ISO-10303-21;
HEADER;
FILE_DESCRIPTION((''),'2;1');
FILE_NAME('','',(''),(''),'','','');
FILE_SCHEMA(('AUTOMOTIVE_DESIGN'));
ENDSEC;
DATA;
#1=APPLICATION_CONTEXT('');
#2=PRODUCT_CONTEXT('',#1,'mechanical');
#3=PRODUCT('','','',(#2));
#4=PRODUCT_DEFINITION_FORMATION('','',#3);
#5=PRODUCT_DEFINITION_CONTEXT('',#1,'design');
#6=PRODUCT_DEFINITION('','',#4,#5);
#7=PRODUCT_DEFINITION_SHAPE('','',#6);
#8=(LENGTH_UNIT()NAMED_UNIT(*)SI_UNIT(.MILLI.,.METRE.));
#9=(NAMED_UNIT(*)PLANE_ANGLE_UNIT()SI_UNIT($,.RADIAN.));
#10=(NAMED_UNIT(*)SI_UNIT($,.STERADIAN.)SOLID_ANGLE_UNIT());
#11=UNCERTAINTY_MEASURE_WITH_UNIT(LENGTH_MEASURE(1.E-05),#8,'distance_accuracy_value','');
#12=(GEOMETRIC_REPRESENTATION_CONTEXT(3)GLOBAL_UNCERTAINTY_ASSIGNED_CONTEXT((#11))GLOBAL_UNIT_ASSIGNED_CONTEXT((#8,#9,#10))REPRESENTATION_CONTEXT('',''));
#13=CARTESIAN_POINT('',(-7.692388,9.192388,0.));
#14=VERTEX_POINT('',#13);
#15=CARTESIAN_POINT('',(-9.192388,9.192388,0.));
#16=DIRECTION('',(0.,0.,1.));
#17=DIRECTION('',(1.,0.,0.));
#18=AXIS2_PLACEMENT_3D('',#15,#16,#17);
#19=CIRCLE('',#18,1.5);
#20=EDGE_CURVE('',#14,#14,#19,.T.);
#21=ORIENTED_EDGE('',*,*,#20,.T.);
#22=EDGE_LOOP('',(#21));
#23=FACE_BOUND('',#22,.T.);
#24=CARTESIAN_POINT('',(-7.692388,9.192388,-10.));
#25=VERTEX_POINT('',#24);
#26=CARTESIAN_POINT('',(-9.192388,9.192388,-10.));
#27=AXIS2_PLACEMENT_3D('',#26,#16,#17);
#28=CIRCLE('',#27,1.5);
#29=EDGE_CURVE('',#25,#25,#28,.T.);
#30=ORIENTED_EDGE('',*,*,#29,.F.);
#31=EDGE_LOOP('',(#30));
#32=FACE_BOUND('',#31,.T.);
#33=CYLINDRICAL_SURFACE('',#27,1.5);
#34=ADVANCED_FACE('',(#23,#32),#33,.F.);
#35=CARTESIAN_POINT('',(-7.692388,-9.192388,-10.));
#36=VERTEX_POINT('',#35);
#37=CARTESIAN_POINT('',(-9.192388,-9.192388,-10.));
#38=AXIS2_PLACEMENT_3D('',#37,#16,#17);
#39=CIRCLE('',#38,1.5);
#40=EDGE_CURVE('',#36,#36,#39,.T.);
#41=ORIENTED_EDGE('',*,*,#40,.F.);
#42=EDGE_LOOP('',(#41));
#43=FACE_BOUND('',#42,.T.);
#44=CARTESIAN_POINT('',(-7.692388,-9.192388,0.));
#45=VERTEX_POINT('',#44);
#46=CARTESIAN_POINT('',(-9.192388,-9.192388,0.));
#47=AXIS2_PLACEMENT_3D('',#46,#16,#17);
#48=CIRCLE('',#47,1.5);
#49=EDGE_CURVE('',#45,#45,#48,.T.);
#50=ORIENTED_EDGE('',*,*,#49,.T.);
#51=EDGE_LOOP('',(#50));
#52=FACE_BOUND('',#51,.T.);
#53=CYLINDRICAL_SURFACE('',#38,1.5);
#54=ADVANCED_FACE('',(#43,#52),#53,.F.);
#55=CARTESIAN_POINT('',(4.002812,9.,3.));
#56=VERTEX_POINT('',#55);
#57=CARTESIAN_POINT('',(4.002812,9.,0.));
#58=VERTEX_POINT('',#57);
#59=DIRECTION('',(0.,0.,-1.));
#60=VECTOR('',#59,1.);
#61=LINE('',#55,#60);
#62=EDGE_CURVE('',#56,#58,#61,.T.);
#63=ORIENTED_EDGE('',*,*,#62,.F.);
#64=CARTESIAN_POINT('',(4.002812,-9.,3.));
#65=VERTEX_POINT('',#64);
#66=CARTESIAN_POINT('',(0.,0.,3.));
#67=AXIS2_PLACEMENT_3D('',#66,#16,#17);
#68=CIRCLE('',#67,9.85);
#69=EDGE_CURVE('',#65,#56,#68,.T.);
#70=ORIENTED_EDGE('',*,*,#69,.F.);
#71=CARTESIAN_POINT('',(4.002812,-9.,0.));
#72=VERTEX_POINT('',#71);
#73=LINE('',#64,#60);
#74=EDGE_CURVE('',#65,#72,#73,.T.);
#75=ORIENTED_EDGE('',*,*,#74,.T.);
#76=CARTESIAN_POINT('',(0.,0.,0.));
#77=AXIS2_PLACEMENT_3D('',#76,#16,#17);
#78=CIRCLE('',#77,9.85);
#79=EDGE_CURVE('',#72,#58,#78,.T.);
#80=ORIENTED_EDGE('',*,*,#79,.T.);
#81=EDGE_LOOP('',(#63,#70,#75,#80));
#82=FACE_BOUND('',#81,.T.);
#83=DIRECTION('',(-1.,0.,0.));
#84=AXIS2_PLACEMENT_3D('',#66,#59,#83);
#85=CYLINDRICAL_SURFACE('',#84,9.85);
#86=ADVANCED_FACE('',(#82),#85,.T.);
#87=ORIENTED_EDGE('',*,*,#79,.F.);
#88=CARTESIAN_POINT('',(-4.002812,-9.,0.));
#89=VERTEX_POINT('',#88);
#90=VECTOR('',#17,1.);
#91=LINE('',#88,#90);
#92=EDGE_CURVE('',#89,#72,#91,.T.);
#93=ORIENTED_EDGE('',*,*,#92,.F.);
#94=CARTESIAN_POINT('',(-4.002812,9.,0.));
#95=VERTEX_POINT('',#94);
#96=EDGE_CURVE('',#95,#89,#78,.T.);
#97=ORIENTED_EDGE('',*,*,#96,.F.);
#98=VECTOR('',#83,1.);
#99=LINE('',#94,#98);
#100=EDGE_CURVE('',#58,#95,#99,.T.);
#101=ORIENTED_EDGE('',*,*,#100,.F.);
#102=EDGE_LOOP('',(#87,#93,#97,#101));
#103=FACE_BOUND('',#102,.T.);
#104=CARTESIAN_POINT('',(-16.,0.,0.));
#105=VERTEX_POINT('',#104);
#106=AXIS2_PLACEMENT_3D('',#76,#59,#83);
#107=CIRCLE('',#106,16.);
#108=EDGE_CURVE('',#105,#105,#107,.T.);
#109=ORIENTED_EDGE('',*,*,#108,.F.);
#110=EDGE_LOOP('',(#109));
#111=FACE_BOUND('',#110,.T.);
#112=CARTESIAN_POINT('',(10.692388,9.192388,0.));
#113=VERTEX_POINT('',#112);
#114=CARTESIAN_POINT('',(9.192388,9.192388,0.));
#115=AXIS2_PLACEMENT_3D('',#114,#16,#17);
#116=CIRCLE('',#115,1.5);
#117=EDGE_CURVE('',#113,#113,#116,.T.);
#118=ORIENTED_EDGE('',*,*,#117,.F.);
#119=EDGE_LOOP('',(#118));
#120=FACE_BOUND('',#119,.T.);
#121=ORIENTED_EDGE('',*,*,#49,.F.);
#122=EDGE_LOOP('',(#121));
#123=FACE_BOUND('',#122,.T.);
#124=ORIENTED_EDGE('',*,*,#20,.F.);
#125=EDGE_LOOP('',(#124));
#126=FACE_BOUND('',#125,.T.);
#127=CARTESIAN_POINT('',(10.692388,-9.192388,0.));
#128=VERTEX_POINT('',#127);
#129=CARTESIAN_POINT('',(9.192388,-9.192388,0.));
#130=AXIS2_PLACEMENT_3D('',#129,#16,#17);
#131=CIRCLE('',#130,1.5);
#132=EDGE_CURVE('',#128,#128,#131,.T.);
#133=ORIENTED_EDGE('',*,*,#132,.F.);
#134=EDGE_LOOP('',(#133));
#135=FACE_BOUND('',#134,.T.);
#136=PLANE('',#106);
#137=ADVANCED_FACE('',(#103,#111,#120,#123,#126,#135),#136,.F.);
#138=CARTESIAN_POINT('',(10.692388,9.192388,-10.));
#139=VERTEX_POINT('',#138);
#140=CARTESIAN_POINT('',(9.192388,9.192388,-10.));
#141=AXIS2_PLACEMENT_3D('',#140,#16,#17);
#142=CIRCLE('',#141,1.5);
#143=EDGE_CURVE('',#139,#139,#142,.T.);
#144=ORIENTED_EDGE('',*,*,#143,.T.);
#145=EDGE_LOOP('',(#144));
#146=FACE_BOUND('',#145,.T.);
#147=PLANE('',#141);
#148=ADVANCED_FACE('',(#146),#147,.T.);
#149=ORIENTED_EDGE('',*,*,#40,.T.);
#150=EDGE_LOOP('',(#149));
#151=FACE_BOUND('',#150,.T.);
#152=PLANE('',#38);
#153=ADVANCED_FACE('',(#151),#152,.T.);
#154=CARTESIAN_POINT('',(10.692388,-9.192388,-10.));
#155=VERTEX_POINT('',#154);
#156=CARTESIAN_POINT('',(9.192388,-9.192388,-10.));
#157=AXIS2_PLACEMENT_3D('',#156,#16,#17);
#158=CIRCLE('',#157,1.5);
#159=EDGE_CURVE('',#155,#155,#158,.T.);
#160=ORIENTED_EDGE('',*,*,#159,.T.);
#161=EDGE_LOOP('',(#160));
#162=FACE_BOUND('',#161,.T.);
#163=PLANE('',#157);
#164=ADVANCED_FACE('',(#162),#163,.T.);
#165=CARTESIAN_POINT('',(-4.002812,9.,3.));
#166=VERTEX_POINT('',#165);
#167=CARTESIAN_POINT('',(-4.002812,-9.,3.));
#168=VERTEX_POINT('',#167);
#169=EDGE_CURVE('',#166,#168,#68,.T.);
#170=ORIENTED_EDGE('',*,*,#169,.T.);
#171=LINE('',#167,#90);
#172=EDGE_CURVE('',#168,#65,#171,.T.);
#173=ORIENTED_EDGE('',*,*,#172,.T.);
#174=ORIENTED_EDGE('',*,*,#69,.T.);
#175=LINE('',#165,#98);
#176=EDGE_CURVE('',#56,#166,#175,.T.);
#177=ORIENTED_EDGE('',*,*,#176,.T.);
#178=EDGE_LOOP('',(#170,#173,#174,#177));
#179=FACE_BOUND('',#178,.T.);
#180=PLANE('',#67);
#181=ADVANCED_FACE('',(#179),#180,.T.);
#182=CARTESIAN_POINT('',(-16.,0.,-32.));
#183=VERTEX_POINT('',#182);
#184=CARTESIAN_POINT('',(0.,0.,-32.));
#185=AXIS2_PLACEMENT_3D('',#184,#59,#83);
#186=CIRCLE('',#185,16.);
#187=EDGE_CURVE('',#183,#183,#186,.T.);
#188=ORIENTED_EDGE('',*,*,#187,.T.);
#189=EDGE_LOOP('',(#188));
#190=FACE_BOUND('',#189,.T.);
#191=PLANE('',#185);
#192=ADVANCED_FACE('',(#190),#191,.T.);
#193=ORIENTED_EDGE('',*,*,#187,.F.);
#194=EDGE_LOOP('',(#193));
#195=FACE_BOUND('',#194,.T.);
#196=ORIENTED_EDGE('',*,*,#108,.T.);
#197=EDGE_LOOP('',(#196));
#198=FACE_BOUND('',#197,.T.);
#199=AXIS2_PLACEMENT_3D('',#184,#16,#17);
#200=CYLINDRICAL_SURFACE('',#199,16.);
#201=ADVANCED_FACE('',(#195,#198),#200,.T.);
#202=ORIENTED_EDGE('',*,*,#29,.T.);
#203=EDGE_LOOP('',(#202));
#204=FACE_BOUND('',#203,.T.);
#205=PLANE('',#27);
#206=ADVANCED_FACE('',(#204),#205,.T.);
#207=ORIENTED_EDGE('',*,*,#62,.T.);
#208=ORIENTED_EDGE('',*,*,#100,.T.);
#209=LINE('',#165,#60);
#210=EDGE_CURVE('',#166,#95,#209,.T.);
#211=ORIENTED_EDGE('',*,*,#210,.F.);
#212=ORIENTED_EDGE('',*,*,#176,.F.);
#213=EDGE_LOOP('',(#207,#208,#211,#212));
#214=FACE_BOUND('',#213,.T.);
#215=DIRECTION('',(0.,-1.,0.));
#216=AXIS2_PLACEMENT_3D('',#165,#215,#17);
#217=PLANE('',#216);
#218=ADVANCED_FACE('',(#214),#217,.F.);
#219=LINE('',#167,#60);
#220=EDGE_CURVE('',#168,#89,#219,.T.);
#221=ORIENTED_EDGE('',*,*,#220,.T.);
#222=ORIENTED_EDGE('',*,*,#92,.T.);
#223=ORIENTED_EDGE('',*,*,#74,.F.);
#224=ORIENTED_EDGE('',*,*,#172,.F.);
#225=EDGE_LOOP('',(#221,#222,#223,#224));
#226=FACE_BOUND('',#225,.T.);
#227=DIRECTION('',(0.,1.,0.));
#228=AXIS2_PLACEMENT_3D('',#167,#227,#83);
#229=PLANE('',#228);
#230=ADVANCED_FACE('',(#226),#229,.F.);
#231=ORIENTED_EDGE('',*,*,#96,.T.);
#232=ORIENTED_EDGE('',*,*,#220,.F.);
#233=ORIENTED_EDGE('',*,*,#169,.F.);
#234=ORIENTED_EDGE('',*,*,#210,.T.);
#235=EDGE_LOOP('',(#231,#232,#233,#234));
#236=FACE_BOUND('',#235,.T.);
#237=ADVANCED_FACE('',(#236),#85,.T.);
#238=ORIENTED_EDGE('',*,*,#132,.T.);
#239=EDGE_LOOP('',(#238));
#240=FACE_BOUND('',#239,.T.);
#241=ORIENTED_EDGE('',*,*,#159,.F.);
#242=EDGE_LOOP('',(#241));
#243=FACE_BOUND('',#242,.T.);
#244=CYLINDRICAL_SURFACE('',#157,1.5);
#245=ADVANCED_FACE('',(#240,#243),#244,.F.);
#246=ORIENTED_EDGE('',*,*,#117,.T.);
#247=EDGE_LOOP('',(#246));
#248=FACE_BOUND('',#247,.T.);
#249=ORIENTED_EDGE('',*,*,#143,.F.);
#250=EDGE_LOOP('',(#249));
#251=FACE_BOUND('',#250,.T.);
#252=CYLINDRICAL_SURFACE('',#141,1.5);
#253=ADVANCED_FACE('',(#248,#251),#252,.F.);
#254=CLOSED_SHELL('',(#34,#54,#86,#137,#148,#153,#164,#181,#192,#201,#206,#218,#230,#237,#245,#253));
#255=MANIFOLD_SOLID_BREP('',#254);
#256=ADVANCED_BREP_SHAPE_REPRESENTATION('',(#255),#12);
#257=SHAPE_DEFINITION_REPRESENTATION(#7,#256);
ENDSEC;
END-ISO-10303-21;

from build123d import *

# Parameters (mm, degrees)
BOSS_EXTRUDE1_DEPTH = 3
SKETCH2_R           = 16
BOSS_EXTRUDE2_DEPTH = 32
SKETCH6_R           = 1.5
CUT_EXTRUDE1_DEPTH  = 10


with BuildPart() as part:
    # Sketch1 → Boss-Extrude1 (new body)
    with BuildSketch(Plane.XY):
        with BuildLine():
            Line((-4.002811512, 9), (4.002811512, 9))
            ThreePointArc((4.002811512, 9), (9.85, 0), (4.002811512, -9))
            Line((4.002811512, -9), (-4.002811512, -9))
            ThreePointArc((-4.002811512, -9), (-9.85, 0), (-4.002811512, 9))
        make_face()
    extrude(amount=BOSS_EXTRUDE1_DEPTH)

    # Sketch2 → Boss-Extrude2 (add)
    with BuildSketch(Plane(origin=(0, 0, 0), x_dir=(-1, 0, 0), z_dir=(0, 0, -1))):
        Circle(SKETCH2_R)
    extrude(amount=BOSS_EXTRUDE2_DEPTH)

    # Sketch6 → Cut-Extrude1 (cut)
    with BuildSketch(Plane.XY):
        with Locations((-9.192388155, 9.192388155)):
            Circle(SKETCH6_R)
        with Locations((9.192388155, 9.192388155)):
            Circle(SKETCH6_R)
        with Locations((9.192388155, -9.192388155)):
            Circle(SKETCH6_R)
        with Locations((-9.192388155, -9.192388155)):
            Circle(SKETCH6_R)
    extrude(amount=-CUT_EXTRUDE1_DEPTH, mode=Mode.SUBTRACT)


solid = part.part
